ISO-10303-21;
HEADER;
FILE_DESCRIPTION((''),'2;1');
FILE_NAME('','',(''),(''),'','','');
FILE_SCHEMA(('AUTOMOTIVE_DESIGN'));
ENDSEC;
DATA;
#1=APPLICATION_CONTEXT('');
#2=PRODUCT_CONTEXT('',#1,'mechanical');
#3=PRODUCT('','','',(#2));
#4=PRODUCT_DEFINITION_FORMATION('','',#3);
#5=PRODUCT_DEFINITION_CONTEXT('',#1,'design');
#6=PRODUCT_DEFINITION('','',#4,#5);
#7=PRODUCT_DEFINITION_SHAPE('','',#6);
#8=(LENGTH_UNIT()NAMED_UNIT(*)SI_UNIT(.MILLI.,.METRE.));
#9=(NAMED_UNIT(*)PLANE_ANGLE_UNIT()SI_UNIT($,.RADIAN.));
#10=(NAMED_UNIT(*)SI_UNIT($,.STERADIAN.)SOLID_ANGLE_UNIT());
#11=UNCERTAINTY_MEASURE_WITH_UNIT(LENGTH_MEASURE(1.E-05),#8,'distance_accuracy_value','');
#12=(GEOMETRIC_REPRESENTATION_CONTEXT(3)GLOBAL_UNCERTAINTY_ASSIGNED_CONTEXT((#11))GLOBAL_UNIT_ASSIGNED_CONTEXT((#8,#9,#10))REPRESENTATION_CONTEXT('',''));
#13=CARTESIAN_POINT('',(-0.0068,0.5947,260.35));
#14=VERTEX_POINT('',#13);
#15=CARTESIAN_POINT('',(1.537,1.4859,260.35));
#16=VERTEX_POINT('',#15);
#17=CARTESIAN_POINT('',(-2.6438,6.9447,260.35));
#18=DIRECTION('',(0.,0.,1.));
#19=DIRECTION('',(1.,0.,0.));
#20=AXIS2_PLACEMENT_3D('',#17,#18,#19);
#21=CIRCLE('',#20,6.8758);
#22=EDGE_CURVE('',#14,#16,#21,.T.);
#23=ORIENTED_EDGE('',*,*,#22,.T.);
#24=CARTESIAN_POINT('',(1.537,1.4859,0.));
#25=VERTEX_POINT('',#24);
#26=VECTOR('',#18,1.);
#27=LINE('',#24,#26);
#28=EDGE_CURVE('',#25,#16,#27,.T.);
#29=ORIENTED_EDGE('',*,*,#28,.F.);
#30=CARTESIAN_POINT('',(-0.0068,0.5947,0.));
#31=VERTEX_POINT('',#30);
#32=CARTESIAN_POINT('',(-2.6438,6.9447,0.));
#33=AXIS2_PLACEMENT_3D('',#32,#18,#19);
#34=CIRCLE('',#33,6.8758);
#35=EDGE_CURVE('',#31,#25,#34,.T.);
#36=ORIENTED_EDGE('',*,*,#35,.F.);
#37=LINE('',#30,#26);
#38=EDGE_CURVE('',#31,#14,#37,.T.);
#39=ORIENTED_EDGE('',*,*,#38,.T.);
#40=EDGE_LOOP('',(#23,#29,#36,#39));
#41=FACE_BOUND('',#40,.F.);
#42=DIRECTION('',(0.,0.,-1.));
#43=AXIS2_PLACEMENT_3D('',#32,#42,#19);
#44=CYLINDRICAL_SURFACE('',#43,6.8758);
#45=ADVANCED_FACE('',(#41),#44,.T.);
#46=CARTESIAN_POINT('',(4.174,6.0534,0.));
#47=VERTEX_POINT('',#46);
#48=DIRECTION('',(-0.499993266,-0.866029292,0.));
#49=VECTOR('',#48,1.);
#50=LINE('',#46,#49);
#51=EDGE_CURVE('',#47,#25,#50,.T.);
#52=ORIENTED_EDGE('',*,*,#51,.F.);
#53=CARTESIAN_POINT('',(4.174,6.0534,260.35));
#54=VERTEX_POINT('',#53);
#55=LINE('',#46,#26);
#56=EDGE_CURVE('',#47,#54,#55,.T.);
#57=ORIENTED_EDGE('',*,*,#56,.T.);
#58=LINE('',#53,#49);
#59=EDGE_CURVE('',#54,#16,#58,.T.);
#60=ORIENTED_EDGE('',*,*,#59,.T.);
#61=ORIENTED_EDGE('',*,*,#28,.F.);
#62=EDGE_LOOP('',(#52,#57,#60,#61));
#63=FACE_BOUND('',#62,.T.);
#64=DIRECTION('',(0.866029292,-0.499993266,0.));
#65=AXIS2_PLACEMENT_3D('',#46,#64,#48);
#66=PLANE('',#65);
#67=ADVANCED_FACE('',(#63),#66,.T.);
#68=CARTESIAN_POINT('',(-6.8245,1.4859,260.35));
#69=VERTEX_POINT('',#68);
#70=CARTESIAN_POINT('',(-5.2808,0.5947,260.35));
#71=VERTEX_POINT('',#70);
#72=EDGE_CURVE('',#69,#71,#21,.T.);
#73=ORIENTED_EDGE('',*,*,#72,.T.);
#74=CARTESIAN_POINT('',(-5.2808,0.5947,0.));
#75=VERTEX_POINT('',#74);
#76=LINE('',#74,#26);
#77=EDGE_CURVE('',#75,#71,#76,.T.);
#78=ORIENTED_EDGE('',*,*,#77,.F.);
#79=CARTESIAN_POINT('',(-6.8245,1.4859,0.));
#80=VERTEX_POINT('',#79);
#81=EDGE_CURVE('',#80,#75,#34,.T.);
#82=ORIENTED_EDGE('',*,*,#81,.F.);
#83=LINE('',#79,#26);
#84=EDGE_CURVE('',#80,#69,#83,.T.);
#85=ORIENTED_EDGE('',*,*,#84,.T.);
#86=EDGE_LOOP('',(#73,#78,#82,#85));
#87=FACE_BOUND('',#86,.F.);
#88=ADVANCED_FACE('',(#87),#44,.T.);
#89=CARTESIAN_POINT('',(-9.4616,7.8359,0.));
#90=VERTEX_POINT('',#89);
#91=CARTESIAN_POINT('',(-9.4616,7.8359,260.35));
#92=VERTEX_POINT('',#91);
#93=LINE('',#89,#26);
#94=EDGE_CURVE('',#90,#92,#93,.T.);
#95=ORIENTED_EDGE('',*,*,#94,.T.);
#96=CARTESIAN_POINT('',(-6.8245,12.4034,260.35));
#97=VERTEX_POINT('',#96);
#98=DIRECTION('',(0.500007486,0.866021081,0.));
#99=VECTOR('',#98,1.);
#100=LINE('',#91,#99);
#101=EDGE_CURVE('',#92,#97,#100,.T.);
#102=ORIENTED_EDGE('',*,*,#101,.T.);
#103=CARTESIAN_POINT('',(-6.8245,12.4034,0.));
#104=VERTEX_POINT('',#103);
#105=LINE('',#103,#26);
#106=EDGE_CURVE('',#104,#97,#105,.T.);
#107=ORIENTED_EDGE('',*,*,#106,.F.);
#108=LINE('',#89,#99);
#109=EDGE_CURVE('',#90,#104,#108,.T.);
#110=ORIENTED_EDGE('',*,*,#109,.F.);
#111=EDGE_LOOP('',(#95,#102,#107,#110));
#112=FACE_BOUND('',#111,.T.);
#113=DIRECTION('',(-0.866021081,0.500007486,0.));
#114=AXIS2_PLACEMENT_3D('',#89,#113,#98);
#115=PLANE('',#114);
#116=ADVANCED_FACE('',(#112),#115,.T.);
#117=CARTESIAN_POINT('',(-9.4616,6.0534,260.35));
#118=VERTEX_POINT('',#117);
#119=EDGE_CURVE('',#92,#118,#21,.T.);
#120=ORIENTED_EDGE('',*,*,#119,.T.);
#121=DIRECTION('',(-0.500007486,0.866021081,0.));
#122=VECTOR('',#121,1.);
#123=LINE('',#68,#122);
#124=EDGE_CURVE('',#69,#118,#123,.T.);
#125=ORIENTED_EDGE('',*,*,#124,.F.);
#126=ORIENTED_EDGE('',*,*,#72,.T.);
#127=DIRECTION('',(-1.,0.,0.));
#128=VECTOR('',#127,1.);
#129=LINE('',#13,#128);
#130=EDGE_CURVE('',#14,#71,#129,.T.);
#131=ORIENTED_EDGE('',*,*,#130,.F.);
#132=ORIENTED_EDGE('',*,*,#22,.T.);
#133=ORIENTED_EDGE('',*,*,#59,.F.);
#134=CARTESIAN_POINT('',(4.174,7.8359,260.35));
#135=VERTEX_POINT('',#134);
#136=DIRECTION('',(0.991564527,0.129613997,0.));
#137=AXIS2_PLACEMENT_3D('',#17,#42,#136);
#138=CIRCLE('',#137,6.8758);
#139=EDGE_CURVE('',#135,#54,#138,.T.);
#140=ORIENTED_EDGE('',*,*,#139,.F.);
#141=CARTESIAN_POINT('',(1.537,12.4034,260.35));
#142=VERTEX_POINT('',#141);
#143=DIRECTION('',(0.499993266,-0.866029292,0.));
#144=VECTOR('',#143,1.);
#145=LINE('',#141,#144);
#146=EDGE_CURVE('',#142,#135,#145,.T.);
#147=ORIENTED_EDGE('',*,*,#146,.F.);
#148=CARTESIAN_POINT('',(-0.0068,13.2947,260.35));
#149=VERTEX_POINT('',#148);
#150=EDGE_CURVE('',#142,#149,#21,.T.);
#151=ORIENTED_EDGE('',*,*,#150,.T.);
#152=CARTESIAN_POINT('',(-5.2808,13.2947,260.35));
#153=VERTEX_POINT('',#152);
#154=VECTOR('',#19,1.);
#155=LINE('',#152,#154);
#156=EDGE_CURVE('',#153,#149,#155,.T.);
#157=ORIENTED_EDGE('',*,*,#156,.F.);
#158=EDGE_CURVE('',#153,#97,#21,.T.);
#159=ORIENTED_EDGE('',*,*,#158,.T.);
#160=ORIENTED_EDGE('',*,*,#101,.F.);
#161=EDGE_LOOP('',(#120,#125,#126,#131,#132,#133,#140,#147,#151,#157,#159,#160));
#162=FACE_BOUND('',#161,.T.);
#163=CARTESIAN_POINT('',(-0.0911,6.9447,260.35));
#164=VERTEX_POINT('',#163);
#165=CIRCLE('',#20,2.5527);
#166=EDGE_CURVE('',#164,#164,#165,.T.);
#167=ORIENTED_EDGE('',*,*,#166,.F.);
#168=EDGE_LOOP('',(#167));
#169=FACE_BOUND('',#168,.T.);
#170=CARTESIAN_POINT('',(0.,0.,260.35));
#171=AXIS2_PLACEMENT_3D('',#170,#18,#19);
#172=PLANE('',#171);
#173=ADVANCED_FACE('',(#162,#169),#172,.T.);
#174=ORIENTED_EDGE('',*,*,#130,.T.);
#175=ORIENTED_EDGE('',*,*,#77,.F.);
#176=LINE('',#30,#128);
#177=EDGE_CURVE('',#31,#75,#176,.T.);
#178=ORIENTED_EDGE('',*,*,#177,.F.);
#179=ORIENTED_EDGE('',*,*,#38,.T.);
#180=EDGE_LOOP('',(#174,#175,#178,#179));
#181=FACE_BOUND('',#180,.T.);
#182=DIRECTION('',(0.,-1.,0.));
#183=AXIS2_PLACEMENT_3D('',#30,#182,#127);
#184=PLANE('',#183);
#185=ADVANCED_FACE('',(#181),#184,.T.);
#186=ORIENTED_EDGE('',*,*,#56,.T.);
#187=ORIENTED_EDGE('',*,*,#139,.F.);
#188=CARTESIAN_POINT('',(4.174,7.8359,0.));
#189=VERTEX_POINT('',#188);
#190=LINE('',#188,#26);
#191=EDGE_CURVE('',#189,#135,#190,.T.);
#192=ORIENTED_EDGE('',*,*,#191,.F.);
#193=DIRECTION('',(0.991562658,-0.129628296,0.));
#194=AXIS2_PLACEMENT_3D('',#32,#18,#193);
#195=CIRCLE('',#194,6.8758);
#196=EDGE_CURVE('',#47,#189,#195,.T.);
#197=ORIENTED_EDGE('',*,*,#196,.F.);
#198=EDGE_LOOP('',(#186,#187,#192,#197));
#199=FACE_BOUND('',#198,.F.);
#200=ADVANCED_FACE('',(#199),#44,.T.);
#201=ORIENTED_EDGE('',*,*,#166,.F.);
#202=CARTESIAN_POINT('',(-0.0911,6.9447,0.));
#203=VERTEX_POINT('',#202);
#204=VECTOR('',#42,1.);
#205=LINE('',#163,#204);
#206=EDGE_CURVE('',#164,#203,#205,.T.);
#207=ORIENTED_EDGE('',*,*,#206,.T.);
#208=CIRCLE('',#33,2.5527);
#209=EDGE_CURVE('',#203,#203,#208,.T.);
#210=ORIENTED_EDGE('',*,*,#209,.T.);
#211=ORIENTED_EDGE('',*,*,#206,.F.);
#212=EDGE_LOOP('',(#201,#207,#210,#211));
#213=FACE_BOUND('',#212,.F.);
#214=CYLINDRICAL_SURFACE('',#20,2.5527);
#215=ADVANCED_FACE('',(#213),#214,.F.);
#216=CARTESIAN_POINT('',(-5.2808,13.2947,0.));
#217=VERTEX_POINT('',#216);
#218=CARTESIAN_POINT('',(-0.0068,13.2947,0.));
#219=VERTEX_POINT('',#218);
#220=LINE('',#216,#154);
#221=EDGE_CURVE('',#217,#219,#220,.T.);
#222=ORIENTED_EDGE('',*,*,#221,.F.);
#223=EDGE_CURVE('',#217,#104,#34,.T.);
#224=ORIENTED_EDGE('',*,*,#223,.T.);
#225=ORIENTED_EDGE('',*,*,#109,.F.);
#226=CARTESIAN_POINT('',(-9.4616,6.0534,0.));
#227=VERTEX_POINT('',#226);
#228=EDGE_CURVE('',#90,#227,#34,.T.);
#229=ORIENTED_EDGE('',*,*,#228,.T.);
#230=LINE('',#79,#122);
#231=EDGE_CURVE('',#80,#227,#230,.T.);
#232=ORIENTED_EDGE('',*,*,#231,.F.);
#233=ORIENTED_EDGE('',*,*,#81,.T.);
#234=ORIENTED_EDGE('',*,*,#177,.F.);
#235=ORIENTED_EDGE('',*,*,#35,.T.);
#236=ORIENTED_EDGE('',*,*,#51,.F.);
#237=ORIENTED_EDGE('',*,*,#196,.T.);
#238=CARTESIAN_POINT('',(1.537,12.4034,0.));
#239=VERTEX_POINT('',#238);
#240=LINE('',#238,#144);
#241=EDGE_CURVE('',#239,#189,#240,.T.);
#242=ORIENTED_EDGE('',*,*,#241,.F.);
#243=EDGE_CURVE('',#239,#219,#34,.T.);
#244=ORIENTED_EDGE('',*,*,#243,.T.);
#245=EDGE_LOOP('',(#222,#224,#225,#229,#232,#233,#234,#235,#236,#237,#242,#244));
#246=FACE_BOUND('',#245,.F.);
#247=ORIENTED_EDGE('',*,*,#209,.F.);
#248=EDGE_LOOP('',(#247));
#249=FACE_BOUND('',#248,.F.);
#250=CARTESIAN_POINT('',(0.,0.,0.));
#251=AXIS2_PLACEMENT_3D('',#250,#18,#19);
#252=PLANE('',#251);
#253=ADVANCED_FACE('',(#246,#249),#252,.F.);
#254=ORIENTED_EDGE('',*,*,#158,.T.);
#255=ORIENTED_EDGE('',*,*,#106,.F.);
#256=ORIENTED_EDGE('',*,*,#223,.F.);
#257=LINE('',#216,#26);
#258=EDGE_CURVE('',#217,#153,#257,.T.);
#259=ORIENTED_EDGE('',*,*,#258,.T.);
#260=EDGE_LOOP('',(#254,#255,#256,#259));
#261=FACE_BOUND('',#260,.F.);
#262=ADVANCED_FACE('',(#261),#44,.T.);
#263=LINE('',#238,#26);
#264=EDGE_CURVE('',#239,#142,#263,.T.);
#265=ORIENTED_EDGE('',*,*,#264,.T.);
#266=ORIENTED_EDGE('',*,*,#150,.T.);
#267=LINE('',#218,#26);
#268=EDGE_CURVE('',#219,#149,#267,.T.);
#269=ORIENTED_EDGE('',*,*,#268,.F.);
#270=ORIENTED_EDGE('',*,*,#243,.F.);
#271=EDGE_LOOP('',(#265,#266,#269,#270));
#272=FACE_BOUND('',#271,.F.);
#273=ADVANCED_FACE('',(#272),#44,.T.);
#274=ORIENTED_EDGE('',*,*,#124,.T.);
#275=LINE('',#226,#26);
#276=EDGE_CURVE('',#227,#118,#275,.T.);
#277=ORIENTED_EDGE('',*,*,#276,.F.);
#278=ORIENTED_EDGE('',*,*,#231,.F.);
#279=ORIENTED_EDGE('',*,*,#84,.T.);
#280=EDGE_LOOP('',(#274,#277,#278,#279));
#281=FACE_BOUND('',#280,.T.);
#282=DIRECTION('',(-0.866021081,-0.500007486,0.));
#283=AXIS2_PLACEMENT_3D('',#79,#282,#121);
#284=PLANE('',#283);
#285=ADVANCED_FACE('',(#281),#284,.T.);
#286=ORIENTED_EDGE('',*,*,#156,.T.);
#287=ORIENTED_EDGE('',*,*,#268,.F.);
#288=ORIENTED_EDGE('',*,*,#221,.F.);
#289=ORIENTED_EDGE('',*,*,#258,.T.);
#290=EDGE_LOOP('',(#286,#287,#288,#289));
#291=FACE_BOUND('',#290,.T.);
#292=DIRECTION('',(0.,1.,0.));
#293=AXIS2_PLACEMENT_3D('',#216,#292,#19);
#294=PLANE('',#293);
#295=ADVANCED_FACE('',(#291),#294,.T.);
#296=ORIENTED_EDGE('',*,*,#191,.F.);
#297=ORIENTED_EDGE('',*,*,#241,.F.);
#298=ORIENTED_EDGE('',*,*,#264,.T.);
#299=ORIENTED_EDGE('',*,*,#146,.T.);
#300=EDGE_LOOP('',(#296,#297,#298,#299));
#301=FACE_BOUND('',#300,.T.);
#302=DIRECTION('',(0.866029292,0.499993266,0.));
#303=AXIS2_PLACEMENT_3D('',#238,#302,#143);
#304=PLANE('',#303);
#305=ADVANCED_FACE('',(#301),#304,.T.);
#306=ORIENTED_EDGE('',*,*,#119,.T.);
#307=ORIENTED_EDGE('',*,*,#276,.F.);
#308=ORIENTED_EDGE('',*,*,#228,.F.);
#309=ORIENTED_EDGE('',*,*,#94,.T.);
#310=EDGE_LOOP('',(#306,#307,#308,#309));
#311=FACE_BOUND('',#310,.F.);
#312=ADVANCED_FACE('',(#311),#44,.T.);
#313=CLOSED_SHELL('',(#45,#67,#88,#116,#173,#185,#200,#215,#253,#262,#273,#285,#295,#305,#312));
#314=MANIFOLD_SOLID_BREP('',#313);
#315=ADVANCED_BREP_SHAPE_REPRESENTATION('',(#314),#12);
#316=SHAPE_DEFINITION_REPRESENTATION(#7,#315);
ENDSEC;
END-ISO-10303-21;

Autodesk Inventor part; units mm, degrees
ref_plane "YZ Plane" through (0, 0, 0) normal (1, 0, 0) x (0, 1, 0)
ref_plane "XZ Plane" through (0, 0, 0) normal (0, 1, 0) x (-1, 0, 0)
ref_plane "XY Plane" through (0, 0, 0) normal (0, 0, 1) x (1, 0, 0)
sketch "Sketch1" plane through (0, 0, 0) normal (0, 0, 1) x (1, 0, 0)
  circle A0 centre (-2.6438, 6.9447) radius 6.8758
  line L0 (-9.4616, 7.8359) -> (-6.8245, 12.4034)
  line L1 (-6.8245, 1.4859) -> (-9.4616, 6.0534)
  line L2 (-0.0068, 0.5947) -> (-5.2808, 0.5947)
  line L3 (4.174, 6.0534) -> (1.537, 1.4859)
  line L4 (1.537, 12.4034) -> (4.174, 7.8359)
  line L5 (-5.2808, 13.2947) -> (-0.0068, 13.2947)
  point P0 (0, 0)
  point P1 (1.537, 1.4859)
  dimension "d0" = 13.7516
  dimension "d4" = 360
extrude "Extrusion1" add sketch "Sketch1" along normal blind 260.35 contours A0 L3 L2 L1 L0 L5 L4
sketch "Sketch2" plane through (0, 0, 260.35) normal (0, 0, 1) x (1, 0, 0)
  circle A0 centre (-2.6438, 6.9447) radius 2.5527
  line L0 (-5.2808, 0.5947) -> (-0.0068, 0.5947) projected
  line L1 (-2.6438, 6.9447) -> (-5.2808, 0.5947) construction
  line L2 (-2.6438, 6.9447) -> (-0.0068, 0.5947) construction
  point P0 (0, 0)
  dimension "d8" = 5.1054
  dimension "d9" = 6.35
extrude "Extrusion2" cut sketch "Sketch2" against normal blind 260.35
equation "\"d6\" = d5"
equation "\"d10\" = d5"
equation "\"d5\" = 260.35"
properties part number "10.25in THUNDERSHAFT"
